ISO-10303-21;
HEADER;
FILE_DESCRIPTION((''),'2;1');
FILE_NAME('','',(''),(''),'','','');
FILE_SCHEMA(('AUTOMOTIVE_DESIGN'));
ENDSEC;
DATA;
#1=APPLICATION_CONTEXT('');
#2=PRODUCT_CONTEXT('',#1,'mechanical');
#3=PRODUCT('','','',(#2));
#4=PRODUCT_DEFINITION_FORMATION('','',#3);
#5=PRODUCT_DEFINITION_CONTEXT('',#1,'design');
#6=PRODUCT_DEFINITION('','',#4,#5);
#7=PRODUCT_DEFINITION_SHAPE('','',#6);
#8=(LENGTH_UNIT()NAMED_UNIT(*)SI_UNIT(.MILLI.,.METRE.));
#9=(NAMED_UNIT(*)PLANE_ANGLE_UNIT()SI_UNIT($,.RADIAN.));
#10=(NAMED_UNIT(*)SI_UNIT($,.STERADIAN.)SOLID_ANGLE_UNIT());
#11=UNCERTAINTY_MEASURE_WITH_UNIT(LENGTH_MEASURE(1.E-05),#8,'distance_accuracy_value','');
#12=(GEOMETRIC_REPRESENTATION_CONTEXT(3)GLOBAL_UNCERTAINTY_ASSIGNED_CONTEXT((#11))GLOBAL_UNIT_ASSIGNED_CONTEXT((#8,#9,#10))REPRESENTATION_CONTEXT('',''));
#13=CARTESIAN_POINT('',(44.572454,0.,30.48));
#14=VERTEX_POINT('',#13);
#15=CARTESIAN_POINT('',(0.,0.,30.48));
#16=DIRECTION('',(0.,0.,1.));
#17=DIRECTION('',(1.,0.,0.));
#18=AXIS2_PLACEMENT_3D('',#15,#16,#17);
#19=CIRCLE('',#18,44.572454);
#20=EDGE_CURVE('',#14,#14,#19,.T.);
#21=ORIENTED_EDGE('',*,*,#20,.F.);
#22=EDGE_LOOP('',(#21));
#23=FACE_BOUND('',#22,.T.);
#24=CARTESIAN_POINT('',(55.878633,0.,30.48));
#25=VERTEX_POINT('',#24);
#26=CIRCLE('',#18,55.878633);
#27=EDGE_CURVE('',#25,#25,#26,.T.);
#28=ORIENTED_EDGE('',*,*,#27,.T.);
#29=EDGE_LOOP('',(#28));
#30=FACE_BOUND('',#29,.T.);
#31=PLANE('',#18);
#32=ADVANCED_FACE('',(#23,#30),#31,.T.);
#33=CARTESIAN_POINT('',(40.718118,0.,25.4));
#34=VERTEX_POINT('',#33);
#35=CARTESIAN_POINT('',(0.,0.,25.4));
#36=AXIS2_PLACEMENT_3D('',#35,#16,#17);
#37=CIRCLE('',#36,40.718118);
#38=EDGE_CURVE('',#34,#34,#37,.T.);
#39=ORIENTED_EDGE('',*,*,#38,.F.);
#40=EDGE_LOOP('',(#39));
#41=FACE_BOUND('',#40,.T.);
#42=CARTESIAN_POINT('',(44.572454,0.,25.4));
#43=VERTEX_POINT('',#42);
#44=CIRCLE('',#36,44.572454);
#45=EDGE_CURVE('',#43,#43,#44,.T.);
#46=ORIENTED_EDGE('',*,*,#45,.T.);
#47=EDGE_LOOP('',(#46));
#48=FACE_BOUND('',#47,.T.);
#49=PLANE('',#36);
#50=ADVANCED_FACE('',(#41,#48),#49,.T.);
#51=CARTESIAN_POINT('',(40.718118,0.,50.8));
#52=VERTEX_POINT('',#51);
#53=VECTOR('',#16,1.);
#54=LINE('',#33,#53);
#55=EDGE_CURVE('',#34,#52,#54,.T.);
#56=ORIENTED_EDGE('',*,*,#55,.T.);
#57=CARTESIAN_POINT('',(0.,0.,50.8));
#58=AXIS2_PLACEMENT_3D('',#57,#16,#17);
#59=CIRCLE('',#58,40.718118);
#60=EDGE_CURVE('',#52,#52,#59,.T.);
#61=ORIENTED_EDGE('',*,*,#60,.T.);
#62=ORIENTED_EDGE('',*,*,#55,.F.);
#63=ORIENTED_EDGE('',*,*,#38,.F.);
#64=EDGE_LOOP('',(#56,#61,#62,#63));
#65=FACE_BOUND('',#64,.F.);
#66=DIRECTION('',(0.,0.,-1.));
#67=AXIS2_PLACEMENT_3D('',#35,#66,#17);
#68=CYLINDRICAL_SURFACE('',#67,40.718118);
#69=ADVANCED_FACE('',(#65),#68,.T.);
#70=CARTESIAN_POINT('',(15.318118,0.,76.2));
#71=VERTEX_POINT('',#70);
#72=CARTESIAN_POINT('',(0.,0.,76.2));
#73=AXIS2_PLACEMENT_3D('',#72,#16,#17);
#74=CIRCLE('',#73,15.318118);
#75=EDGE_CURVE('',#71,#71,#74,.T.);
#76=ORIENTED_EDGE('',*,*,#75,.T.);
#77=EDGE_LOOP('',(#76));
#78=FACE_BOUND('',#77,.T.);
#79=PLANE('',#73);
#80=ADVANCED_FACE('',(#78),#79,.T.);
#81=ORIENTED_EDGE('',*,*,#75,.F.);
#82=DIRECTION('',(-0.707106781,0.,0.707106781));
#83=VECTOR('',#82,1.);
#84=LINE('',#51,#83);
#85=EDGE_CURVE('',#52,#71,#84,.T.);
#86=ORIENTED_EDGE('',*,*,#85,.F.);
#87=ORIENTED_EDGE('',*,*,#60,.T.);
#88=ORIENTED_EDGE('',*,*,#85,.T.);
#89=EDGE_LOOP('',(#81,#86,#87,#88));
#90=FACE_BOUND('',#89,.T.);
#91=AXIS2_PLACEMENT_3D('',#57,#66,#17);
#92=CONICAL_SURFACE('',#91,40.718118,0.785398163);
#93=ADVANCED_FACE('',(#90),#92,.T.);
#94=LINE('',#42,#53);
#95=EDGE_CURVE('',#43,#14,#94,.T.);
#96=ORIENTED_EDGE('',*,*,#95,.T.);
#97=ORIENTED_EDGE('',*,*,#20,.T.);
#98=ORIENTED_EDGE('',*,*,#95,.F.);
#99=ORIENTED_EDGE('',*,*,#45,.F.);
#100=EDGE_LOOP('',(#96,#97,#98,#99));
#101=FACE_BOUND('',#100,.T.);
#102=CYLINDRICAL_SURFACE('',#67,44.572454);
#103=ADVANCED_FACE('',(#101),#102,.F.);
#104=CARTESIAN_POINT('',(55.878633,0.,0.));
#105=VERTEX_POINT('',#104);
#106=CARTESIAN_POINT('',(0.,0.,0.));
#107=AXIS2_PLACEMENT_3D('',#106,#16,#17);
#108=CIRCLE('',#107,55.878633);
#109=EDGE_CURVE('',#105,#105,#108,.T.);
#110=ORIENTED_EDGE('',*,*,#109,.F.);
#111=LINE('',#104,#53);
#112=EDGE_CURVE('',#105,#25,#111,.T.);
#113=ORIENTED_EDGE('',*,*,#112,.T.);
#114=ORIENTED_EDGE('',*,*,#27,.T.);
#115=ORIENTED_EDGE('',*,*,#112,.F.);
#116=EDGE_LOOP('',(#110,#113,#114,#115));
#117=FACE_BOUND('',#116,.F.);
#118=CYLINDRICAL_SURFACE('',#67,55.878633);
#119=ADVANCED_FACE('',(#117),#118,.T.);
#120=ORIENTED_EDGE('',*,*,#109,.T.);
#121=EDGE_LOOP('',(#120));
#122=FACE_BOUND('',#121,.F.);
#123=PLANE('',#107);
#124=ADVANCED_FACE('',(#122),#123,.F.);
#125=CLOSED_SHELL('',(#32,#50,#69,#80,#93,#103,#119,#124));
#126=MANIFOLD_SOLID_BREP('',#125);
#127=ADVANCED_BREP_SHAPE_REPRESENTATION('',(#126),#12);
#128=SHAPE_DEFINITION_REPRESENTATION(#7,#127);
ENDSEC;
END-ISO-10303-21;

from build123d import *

# Parameters (mm, degrees)
F0_R     = 55.878633
F1_DEPTH = 25.4
F2_R     = 55.878633
F2_R_2   = 44.572454
F4_DEPTH = 5.08
F3_R     = 40.718118
F5_DEPTH = 50.8
F6_SIZE  = 25.4


with BuildPart() as f1:
    # F0 (on Top) → F1 (new body)
    with BuildSketch(Plane.XY):
        Circle(F0_R)
    extrude(amount=F1_DEPTH)

    # F2 (on face) → F4 (join)
    with BuildSketch(Plane.XY.offset(25.4)):
        Circle(F2_R)
        Circle(F2_R_2, mode=Mode.SUBTRACT)
    extrude(amount=F4_DEPTH)

    # F3 (on face) → F5 (join)
    with BuildSketch(Plane.XY.offset(25.4)):
        Circle(F3_R)
    extrude(amount=F5_DEPTH)

    # F6
    f6_edges = [f1.edges().sort_by_distance(p)[0] for p in [
        (-40.718118, 0, 76.2),
    ]]
    chamfer(f6_edges, length=F6_SIZE)


solid = f1.part
